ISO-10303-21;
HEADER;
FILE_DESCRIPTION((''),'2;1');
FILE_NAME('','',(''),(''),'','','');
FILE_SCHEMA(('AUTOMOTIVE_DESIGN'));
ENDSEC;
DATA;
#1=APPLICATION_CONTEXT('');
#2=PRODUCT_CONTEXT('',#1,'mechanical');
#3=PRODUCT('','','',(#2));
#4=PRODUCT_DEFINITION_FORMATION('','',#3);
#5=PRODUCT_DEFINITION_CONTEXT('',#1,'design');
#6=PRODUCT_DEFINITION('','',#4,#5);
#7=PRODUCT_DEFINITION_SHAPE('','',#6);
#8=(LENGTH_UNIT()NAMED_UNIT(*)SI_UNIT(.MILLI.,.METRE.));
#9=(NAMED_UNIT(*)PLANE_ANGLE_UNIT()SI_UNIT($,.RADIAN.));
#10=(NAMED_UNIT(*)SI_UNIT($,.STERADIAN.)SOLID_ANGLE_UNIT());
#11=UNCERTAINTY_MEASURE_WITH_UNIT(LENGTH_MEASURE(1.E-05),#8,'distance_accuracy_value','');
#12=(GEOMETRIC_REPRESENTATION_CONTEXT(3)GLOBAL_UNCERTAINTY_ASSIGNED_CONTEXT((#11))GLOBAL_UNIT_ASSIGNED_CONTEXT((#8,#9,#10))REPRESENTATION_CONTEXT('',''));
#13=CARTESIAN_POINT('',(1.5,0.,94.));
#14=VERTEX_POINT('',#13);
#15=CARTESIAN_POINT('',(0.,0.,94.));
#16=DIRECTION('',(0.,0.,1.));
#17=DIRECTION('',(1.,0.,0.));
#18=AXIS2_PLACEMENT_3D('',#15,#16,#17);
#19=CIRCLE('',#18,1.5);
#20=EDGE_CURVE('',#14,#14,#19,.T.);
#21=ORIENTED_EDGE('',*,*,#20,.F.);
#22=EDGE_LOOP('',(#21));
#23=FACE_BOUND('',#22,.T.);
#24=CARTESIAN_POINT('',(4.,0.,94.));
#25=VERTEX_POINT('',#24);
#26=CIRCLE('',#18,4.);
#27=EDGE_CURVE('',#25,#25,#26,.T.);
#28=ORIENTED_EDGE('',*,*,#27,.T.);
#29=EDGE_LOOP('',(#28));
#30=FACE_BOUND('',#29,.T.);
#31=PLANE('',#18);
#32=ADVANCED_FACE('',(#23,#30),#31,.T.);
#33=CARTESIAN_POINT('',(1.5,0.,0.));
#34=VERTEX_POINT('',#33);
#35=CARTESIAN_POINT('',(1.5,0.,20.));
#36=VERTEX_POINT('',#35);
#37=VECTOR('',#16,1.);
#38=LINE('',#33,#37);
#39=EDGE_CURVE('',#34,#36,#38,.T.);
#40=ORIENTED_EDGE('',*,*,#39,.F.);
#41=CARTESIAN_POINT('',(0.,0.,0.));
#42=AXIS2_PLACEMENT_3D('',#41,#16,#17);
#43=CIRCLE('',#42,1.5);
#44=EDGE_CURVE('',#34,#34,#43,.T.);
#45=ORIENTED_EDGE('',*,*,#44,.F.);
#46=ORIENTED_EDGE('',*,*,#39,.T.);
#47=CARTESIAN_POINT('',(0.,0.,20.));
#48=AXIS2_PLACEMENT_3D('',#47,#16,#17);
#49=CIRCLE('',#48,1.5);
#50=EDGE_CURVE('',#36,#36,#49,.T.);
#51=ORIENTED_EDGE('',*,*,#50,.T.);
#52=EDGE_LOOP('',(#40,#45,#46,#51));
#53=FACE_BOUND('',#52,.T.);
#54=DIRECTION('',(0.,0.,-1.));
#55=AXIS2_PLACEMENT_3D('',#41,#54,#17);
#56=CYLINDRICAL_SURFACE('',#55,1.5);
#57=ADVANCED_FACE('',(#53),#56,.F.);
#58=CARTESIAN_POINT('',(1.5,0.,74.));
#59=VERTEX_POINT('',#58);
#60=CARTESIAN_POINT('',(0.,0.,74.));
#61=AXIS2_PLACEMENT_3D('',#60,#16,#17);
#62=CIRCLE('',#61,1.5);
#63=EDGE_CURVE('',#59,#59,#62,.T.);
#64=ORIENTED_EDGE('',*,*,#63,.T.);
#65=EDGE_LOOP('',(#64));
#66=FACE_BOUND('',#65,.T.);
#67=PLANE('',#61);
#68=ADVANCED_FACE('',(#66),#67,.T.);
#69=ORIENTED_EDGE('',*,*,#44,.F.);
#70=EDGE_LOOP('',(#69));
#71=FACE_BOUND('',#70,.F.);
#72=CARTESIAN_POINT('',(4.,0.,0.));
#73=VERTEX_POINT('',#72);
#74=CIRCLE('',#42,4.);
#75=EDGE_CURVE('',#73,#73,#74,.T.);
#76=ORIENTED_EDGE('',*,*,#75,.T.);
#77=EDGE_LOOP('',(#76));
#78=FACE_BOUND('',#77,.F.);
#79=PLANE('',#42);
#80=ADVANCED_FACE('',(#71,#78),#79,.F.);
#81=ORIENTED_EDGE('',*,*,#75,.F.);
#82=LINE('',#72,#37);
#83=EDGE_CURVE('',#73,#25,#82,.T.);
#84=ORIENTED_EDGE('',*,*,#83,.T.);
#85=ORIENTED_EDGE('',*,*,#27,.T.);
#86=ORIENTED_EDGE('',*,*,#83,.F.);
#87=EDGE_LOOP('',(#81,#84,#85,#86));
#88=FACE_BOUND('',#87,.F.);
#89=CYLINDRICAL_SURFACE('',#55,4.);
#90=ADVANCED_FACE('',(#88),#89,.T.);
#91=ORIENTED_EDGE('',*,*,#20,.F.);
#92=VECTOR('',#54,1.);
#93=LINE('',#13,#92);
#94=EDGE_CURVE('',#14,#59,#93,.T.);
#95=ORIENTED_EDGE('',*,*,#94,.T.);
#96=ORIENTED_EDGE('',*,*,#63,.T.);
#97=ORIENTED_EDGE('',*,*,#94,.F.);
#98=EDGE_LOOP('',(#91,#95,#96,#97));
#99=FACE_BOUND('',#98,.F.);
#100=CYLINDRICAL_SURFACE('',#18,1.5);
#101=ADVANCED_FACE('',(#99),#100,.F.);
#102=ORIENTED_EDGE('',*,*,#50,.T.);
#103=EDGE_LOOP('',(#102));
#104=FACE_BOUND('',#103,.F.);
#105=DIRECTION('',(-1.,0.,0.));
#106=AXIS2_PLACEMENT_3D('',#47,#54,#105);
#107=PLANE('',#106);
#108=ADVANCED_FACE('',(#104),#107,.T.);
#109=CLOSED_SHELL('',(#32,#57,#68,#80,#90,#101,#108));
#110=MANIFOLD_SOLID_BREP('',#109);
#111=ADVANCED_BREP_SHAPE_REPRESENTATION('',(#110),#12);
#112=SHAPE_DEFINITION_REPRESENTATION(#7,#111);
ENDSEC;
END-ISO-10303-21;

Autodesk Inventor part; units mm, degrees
ref_plane "YZ Plane" through (0, 0, 0) normal (1, 0, 0) x (0, 1, 0)
ref_plane "XZ Plane" through (0, 0, 0) normal (0, 1, 0) x (-1, 0, 0)
sketch "Sketch1" plane through (0, 0, 0) normal (0, 0, 1) x (1, 0, 0)
  circle A0 centre (0, 0) radius 4
  dimension "d0" = 8
extrude "Extrusion1" add sketch "Sketch1" along normal blind 94
sketch "Sketch2" plane through (0, 0, 94) normal (0, 0, 1) x (1, 0, 0)
  circle A0 centre (0, 0) radius 1.5
  dimension "d3" = 3
extrude "Extrusion2" cut sketch "Sketch2" against normal blind 20
ref_plane "Work Plane1" through (0, 0, 47) normal (0, 0, -1) x (-1, 0, 0)
mirror "Mirror1" about plane through (0, 0, 47) normal (0, 0, -1) of "Extrusion2"
properties part number "BatteryHolderRod"
